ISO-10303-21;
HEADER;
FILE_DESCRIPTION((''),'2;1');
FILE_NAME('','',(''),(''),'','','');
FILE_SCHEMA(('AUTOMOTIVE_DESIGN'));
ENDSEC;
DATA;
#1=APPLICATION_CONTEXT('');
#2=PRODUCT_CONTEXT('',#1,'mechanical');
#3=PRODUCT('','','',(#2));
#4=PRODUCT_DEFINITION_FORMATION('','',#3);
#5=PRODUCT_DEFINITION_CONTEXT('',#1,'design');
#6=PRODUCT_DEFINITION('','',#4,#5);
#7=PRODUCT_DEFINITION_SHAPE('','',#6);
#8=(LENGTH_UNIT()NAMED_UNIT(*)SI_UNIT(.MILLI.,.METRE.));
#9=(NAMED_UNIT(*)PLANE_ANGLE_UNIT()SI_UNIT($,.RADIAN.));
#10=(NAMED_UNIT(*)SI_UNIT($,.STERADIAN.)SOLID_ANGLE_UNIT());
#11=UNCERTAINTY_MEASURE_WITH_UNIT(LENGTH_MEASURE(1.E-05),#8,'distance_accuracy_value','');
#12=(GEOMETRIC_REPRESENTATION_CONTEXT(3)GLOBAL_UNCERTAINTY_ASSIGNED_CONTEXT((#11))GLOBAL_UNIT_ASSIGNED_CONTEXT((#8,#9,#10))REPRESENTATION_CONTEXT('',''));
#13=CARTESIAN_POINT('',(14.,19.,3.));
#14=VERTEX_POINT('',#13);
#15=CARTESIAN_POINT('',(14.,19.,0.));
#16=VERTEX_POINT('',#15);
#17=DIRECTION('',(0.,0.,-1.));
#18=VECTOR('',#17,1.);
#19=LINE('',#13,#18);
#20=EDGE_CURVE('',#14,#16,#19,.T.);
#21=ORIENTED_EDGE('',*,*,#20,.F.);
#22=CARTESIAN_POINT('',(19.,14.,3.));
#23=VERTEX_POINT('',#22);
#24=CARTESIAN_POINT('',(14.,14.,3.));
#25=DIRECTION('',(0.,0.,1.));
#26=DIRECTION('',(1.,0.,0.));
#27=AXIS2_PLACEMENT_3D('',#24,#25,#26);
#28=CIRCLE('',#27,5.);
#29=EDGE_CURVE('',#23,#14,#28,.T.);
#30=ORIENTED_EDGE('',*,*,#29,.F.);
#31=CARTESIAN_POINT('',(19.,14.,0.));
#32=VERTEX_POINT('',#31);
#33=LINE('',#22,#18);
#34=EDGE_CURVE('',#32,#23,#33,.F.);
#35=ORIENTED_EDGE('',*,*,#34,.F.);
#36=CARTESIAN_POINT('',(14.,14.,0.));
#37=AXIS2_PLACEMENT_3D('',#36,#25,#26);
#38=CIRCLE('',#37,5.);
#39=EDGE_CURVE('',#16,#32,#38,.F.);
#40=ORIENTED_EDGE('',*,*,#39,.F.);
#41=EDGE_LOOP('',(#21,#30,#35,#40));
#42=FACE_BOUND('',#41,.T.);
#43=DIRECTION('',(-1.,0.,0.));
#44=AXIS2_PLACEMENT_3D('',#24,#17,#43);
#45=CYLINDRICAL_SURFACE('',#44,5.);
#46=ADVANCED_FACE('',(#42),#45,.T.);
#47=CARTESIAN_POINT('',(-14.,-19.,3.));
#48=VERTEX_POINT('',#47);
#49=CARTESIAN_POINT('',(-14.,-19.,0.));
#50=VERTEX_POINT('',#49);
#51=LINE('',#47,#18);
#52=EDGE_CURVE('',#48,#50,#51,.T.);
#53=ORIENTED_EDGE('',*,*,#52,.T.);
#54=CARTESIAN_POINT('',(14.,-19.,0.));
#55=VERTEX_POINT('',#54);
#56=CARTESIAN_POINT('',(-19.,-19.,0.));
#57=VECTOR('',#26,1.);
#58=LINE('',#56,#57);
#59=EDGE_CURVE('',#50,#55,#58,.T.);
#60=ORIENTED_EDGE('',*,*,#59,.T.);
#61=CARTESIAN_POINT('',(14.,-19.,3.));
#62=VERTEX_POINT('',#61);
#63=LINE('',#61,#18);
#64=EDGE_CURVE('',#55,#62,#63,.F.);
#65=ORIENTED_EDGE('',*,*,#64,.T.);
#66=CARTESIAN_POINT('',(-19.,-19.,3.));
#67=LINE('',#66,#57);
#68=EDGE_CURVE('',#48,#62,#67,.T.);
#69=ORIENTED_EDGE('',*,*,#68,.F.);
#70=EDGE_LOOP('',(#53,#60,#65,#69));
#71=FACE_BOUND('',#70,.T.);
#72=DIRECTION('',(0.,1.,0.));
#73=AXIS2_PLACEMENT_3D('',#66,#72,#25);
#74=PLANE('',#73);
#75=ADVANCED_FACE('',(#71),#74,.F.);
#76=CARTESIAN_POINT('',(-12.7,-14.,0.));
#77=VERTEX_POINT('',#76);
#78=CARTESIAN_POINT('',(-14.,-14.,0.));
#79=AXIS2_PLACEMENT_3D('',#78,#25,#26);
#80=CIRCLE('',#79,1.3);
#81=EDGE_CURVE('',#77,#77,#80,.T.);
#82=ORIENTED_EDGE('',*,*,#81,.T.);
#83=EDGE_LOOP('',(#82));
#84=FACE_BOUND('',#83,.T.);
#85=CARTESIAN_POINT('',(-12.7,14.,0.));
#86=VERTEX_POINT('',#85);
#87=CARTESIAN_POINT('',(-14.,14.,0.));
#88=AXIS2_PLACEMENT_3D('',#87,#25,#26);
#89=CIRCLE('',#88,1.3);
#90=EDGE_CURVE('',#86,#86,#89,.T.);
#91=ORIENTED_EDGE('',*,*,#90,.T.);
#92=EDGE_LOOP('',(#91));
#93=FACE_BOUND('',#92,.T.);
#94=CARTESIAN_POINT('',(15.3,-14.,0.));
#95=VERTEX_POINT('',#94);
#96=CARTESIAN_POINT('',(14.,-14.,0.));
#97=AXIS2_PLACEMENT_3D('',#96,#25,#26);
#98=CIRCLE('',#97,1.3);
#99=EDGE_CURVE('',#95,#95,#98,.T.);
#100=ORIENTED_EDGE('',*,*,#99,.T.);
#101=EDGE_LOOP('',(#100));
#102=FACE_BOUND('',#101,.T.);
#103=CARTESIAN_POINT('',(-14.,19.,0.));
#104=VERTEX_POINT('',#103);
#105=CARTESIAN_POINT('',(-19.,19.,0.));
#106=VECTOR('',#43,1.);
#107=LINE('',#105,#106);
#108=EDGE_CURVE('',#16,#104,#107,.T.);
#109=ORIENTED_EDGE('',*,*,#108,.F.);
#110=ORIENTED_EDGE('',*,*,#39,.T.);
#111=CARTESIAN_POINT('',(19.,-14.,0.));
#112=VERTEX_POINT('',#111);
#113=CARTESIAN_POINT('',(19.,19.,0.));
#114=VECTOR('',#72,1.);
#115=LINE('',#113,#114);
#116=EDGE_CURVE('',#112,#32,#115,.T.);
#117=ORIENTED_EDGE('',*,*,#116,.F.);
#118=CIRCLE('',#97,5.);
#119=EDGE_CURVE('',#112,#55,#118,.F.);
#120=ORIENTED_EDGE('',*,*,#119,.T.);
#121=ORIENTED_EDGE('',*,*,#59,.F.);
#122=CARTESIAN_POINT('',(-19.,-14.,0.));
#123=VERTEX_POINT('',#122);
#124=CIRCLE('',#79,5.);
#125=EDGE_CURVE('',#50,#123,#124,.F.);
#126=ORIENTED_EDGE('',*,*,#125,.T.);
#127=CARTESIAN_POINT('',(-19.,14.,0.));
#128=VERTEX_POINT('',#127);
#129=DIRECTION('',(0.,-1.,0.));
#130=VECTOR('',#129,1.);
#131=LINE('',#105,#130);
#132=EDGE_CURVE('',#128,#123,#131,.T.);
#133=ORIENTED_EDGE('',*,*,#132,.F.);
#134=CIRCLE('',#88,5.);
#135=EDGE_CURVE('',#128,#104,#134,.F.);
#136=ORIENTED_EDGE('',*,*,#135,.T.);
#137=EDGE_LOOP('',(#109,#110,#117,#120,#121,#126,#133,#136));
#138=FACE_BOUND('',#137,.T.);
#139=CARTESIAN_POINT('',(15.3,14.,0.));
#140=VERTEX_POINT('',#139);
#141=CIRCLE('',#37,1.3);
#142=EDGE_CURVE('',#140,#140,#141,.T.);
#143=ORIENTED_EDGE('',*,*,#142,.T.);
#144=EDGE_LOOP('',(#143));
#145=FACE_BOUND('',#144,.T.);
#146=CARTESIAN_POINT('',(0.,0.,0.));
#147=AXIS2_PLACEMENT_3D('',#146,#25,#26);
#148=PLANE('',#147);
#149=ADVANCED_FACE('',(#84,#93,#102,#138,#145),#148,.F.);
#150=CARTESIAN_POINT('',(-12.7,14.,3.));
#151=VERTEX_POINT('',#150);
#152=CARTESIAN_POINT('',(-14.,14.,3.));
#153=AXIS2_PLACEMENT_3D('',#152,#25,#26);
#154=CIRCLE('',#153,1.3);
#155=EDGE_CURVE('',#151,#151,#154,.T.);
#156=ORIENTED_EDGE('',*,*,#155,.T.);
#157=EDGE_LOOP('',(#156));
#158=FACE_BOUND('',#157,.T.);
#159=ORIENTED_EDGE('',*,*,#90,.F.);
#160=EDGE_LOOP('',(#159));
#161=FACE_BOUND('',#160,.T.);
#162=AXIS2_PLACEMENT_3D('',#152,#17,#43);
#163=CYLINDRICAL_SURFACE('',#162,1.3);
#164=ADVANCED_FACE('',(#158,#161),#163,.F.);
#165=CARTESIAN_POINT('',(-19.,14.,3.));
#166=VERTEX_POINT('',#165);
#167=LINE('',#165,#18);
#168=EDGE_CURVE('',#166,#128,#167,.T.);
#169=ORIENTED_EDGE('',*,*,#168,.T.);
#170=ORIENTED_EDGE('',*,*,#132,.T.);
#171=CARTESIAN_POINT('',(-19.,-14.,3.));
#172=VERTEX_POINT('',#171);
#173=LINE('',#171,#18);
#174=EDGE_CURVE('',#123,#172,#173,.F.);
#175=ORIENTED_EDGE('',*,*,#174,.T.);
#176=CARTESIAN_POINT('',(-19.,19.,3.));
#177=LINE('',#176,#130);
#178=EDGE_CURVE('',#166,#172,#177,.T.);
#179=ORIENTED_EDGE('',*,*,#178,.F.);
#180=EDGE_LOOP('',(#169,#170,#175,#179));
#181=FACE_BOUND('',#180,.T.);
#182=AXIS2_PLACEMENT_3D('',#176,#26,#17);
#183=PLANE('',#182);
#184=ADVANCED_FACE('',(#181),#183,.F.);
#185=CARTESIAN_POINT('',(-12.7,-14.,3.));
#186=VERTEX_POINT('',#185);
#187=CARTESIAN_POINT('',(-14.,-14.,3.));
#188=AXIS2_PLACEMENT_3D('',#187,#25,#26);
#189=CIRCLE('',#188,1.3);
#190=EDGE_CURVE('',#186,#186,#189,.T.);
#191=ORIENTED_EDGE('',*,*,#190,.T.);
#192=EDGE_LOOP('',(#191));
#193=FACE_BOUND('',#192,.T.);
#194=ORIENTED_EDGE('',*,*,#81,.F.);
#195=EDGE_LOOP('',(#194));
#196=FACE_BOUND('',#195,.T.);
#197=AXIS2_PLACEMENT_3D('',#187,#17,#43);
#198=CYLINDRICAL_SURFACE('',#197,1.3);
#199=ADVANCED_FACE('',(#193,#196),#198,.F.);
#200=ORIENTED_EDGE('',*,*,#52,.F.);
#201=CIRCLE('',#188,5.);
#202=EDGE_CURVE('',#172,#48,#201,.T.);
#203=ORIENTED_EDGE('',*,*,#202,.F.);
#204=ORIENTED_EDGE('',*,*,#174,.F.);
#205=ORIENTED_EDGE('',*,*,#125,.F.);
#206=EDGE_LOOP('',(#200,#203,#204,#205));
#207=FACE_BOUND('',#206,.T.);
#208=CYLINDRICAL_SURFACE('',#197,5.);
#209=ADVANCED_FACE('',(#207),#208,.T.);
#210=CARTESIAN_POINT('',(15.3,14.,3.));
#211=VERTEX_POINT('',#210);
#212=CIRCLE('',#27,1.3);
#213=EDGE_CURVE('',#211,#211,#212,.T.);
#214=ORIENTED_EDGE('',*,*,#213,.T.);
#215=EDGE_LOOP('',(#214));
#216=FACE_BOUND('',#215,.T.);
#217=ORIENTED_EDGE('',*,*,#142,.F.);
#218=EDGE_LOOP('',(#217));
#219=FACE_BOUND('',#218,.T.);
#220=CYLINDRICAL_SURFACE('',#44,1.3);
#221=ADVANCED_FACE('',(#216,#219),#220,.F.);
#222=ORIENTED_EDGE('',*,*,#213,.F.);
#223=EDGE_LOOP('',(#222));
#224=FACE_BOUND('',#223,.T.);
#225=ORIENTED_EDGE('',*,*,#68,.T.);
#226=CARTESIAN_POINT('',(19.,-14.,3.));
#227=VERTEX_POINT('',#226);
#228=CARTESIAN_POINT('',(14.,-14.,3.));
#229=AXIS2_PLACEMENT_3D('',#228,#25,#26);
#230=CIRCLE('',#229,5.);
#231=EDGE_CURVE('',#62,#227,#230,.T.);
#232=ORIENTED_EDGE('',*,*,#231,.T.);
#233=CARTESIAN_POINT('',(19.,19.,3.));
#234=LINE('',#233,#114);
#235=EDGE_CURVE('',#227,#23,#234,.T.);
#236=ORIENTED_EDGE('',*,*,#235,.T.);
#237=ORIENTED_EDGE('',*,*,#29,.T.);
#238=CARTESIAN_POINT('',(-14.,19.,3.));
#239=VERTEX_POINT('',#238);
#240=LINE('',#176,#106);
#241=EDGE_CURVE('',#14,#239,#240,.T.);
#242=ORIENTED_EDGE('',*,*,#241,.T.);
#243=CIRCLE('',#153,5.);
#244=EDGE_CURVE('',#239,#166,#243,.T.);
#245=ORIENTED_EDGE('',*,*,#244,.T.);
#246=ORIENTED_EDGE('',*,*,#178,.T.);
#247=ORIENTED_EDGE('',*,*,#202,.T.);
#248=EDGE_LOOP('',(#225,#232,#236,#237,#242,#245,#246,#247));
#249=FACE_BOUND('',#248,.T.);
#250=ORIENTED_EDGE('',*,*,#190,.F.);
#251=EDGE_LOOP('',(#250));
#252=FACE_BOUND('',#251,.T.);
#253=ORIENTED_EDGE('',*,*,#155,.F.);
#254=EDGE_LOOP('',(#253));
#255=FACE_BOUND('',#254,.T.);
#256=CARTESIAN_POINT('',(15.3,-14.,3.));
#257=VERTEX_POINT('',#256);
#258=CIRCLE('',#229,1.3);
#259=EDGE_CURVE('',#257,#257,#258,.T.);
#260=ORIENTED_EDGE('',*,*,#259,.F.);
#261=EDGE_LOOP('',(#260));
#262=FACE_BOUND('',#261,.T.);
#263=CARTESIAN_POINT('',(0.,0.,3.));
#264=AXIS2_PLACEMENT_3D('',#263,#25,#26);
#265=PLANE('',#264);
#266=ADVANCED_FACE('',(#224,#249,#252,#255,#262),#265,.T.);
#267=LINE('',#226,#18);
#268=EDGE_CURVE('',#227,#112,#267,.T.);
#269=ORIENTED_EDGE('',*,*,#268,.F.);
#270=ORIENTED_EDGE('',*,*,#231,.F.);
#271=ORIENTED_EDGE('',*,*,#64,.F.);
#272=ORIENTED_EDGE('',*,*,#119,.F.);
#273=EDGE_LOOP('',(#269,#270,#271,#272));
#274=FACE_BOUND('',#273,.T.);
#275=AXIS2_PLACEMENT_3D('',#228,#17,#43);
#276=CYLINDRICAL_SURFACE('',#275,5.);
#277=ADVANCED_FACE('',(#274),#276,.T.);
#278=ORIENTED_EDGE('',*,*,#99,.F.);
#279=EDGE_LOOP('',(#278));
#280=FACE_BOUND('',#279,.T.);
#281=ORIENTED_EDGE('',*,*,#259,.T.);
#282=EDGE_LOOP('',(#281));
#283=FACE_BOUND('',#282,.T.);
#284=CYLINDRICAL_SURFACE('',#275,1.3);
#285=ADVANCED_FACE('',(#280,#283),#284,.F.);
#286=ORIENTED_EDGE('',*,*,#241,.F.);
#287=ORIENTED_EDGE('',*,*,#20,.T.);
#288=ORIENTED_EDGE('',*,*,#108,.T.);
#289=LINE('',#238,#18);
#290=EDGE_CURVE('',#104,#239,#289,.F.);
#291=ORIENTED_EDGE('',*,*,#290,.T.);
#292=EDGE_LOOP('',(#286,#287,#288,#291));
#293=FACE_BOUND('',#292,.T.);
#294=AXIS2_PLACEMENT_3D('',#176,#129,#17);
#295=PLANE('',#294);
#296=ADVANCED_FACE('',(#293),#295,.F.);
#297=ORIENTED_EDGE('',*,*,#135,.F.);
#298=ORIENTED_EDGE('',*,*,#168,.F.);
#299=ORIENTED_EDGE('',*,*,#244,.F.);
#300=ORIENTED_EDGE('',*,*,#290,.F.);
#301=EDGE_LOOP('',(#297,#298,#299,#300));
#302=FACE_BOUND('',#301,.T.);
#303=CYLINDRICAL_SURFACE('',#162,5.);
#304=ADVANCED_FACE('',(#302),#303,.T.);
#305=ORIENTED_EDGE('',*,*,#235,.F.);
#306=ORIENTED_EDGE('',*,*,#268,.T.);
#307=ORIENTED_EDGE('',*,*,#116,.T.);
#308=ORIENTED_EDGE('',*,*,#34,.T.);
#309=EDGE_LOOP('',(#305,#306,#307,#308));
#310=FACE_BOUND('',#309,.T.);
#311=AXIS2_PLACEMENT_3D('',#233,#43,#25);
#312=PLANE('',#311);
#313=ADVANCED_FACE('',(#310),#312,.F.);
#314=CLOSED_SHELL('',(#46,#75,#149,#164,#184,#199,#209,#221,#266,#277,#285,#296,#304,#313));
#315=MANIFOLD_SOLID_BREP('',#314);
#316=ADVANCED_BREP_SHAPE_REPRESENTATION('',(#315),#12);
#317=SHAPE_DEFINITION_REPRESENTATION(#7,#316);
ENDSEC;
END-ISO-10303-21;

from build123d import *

# Parameters (mm, degrees)
SKETCH_1_W      = 38
SKETCH_1_H      = 38
SKETCH_1_R      = 1.3
EXTRUDE_1_DEPTH = 3
FILLET_1_R      = 5


with BuildPart() as part:
    # 草图1 → 凸台-拉伸1 (new body)
    with BuildSketch(Plane.XY):
        Rectangle(SKETCH_1_W, SKETCH_1_H)
        with Locations((-14, -14)):
            Circle(SKETCH_1_R, mode=Mode.SUBTRACT)
        with Locations((14, -14)):
            Circle(SKETCH_1_R, mode=Mode.SUBTRACT)
        with Locations((14, 14)):
            Circle(SKETCH_1_R, mode=Mode.SUBTRACT)
        with Locations((-14, 14)):
            Circle(SKETCH_1_R, mode=Mode.SUBTRACT)
    extrude(amount=EXTRUDE_1_DEPTH)

    # 圆角1
    fillet_1_edges = [part.edges().sort_by_distance(p)[0] for p in [
        (19, -19, 1.5),
        (-19, -19, 1.5),
        (-19, 19, 1.5),
        (19, 19, 1.5),
    ]]
    fillet(fillet_1_edges, radius=FILLET_1_R)


solid = part.part
